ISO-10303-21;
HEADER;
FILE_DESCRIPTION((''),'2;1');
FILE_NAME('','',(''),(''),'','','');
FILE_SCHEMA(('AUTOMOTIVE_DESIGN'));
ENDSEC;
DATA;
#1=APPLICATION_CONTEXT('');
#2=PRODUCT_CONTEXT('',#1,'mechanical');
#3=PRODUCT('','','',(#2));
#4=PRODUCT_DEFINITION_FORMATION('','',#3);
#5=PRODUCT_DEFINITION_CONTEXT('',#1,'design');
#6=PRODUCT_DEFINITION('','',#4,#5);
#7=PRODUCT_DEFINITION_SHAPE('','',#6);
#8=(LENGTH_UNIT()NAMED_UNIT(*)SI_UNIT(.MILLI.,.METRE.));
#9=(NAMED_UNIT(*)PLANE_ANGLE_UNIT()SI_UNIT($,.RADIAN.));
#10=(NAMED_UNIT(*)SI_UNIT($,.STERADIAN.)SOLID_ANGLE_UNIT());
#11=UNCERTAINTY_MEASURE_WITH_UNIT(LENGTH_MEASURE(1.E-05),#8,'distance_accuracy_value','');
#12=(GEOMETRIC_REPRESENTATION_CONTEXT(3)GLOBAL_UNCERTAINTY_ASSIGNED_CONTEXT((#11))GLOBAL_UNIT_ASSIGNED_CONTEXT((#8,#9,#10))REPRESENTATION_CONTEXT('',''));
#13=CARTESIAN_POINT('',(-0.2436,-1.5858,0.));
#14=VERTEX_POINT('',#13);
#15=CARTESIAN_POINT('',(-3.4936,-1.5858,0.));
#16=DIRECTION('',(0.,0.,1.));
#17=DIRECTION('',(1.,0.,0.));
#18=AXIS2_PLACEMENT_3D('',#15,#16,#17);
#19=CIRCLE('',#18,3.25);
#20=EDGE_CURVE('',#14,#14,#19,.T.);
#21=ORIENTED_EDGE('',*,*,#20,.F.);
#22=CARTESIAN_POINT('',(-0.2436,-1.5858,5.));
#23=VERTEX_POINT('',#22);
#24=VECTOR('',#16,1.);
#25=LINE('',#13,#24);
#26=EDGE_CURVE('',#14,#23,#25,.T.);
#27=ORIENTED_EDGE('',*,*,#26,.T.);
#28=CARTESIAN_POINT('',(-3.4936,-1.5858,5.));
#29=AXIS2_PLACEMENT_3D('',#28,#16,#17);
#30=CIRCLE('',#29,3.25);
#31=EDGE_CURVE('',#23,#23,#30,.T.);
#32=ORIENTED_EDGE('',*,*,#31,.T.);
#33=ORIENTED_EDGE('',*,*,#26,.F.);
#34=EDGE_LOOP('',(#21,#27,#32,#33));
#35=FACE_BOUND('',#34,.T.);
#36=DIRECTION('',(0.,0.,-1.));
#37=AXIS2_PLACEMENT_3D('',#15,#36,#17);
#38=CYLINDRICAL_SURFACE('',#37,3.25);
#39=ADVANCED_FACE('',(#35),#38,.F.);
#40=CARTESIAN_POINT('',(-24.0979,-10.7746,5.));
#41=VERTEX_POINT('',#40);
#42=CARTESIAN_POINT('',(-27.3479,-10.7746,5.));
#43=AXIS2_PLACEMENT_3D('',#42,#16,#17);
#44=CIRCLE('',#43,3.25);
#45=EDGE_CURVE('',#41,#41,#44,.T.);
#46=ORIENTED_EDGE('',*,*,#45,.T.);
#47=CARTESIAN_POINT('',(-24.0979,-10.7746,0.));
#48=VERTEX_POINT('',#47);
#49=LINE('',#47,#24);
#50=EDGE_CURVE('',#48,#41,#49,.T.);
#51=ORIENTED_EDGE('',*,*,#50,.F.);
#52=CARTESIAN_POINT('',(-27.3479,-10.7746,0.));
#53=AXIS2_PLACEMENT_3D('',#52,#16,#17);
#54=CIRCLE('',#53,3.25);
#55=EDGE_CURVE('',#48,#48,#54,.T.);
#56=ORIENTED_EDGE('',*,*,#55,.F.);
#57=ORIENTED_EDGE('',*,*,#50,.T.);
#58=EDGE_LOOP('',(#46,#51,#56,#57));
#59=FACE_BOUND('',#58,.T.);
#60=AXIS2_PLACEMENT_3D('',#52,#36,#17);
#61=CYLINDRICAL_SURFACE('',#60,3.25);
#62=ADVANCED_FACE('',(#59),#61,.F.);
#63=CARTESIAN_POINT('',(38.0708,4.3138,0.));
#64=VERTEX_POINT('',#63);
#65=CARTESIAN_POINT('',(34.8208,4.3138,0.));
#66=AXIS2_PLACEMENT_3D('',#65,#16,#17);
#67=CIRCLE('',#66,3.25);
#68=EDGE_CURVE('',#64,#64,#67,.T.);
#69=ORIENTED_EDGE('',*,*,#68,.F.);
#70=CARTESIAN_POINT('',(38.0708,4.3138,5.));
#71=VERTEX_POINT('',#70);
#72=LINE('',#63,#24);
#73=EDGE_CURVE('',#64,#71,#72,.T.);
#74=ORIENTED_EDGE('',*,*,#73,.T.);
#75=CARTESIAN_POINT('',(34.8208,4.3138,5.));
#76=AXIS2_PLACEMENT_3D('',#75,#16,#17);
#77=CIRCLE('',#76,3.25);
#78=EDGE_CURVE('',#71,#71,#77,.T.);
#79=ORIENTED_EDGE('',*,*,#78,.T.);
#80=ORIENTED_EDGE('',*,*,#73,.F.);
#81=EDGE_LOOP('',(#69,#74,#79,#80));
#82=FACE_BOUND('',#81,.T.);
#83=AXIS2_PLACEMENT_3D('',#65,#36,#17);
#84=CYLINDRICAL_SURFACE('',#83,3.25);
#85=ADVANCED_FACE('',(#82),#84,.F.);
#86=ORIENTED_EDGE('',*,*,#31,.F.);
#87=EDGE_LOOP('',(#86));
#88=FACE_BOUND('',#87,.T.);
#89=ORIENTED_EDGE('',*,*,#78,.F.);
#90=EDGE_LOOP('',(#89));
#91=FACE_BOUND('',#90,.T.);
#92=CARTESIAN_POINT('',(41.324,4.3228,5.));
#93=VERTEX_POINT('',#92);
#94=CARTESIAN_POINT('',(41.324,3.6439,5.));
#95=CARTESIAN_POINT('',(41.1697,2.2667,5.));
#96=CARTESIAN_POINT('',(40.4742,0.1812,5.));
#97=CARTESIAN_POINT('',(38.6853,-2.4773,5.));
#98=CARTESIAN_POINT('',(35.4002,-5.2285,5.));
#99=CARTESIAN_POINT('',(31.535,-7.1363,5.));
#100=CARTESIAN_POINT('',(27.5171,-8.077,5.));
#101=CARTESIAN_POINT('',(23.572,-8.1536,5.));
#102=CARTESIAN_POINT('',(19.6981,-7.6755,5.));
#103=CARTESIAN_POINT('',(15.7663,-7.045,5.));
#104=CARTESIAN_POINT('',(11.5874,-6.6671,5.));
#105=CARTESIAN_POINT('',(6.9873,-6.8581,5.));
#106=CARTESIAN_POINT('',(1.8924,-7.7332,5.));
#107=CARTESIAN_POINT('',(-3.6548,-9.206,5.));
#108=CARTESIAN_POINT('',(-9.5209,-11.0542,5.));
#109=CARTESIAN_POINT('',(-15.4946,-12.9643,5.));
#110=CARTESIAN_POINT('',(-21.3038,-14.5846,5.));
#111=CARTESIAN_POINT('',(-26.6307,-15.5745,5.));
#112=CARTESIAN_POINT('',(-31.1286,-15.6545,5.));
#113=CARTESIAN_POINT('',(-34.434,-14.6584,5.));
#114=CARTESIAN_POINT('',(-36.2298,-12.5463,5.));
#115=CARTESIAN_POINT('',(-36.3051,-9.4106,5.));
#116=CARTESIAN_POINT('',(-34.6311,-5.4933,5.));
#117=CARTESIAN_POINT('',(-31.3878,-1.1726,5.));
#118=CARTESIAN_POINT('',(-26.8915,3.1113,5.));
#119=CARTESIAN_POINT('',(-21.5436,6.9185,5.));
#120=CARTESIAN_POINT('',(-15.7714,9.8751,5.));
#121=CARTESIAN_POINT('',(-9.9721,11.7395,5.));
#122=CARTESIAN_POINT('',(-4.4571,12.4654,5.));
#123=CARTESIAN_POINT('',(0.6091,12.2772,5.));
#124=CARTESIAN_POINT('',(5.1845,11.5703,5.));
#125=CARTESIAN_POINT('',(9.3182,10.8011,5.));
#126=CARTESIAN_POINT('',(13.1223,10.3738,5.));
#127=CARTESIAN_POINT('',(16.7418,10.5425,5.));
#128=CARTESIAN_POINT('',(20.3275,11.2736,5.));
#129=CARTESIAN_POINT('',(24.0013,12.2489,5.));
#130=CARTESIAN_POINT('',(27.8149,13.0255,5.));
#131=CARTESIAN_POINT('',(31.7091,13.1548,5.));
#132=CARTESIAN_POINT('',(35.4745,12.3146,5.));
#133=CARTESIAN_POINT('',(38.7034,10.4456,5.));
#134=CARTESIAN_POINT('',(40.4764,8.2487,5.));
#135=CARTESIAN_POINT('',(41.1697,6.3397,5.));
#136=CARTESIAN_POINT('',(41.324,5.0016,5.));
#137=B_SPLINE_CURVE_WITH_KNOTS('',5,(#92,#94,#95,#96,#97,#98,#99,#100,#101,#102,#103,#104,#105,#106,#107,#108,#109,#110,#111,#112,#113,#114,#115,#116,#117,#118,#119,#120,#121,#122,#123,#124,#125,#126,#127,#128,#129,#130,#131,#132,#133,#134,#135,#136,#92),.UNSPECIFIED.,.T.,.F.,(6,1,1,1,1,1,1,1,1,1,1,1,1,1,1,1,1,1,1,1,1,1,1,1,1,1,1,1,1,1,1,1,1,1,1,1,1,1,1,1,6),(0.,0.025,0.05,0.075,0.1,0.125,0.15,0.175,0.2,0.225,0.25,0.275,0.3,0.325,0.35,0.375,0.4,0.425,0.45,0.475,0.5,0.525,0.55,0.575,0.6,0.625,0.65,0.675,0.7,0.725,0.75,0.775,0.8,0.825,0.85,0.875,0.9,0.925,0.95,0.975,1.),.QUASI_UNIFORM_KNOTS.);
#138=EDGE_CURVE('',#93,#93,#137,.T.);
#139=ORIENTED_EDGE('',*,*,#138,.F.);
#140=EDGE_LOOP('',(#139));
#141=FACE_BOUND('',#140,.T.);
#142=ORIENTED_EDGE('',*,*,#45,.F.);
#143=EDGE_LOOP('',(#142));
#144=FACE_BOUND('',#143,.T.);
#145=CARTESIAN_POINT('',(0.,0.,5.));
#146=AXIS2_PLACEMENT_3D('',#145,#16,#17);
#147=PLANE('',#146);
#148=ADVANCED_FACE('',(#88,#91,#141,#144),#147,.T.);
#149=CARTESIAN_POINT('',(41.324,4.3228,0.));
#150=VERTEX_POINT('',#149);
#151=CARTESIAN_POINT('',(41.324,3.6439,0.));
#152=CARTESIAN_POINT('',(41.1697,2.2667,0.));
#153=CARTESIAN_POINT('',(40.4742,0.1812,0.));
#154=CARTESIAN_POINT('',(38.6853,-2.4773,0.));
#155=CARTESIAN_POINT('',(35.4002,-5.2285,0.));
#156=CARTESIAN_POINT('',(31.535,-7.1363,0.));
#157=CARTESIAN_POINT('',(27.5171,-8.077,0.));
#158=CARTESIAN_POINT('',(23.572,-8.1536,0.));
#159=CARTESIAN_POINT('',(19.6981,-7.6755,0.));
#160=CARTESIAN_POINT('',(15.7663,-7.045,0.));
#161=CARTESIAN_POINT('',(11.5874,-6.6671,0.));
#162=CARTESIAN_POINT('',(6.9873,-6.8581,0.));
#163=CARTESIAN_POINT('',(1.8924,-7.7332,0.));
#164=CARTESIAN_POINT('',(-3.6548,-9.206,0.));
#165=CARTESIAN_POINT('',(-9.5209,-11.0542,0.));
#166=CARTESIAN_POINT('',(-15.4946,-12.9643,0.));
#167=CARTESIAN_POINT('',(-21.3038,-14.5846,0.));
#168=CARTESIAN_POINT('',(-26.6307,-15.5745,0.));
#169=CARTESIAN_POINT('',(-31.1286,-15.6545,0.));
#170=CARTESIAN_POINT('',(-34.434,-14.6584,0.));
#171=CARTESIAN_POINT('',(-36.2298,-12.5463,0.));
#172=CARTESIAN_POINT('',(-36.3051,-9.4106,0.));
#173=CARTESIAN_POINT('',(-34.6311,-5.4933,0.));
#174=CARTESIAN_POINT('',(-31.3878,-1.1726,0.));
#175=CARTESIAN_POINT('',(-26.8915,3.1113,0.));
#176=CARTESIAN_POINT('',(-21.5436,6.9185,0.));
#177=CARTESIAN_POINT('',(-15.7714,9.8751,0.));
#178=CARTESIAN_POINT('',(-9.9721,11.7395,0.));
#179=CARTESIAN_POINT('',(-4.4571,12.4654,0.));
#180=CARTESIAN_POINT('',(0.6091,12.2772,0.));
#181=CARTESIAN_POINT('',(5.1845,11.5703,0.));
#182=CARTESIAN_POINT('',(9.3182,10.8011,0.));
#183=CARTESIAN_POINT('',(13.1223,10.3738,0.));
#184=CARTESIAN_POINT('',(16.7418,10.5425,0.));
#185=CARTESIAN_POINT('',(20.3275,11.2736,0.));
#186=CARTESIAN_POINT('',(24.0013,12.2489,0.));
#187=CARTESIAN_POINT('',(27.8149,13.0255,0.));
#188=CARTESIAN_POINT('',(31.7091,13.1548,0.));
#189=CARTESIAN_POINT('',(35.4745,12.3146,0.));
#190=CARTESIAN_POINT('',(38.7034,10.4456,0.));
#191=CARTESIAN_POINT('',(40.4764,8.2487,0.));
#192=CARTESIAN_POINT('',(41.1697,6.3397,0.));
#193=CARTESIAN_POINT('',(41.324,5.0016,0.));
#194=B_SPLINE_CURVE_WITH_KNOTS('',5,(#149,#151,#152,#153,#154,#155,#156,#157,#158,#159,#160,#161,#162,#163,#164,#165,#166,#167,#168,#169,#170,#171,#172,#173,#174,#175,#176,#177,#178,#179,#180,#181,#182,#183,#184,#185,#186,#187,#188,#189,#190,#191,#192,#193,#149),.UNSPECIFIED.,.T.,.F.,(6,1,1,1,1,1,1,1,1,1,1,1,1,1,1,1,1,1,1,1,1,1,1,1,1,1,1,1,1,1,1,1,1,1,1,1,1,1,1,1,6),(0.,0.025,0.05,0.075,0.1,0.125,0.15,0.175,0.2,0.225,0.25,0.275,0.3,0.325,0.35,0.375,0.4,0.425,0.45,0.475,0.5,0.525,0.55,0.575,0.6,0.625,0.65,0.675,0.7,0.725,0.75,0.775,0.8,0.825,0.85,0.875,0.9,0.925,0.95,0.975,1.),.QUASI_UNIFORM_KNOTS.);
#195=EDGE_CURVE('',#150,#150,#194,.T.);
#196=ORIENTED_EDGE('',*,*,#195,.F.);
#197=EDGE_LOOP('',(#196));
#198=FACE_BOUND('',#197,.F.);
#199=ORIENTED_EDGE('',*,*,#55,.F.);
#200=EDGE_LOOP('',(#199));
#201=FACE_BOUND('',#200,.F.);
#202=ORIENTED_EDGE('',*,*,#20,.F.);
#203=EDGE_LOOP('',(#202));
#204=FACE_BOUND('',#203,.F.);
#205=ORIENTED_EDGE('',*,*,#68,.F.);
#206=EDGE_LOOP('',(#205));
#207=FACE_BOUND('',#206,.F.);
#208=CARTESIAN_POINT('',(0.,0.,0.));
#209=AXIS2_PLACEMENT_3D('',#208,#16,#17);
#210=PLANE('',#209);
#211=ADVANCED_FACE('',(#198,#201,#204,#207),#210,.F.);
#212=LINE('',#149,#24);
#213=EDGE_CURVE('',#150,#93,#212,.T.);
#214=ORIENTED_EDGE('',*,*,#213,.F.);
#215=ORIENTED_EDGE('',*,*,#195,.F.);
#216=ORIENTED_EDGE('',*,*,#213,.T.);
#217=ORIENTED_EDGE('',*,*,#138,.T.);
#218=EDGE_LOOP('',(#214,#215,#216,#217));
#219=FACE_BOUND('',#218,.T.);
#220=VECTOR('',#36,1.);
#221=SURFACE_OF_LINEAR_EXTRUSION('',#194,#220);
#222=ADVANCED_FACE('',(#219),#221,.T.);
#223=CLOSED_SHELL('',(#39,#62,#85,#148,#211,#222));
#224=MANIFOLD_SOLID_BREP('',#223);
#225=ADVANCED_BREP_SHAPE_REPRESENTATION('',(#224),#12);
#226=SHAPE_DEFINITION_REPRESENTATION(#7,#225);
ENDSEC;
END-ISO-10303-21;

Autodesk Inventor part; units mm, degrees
ref_plane "YZ Plane" through (0, 0, 0) normal (1, 0, 0) x (0, 1, 0)
ref_plane "XZ Plane" through (0, 0, 0) normal (0, 1, 0) x (-1, 0, 0)
ref_plane "XY Plane" through (0, 0, 0) normal (0, 0, 1) x (1, 0, 0)
sketch "Sketch2" plane through (0, 0, 0) normal (0, 0, 1) x (1, 0, 0)
  circle A0 centre (-27.3479, -10.7746) radius 3.25
  circle A1 centre (34.8208, 4.3138) radius 3.25
  circle A2 centre (-3.4936, -1.5858) radius 3.25
  spline S0 degree 5 poles (41.324, 4.3228) (41.324, 3.6439) (41.1697, 2.2667) (40.4742, 0.1812) (38.6853, -2.4773) (35.4002, -5.2285) (31.535, -7.1363) (27.5171, -8.077) (23.572, -8.1536) (19.6981, -7.6755) (15.7663, -7.045) (11.5874, -6.6671) (6.9873, -6.8581) (1.8924, -7.7332) (-3.6548, -9.206) (-9.5209, -11.0542) (-15.4946, -12.9643) (-21.3038, -14.5846) (-26.6307, -15.5745) (-31.1286, -15.6545) (-34.434, -14.6584) (-36.2298, -12.5463) (-36.3051, -9.4106) (-34.6311, -5.4933) (-31.3878, -1.1726) (-26.8915, 3.1113) (-21.5436, 6.9185) (-15.7714, 9.8751) (-9.9721, 11.7395) (-4.4571, 12.4654) (0.6091, 12.2772) (5.1845, 11.5703) (9.3182, 10.8011) (13.1223, 10.3738) (16.7418, 10.5425) (20.3275, 11.2736) (24.0013, 12.2489) (27.8149, 13.0255) (31.7091, 13.1548) (35.4745, 12.3146) (38.7034, 10.4456) (40.4764, 8.2487) (41.1697, 6.3397) (41.324, 5.0016) (41.324, 4.3228) knots 0 0 0 0 0 0 0.025 0.05 0.075 0.1 0.125 0.15 0.175 0.2 0.225 0.25 0.275 0.3 0.325 0.35 0.375 0.4 0.425 0.45 0.475 0.5 0.525 0.55 0.575 0.6 0.625 0.65 0.675 0.7 0.725 0.75 0.775 0.8 0.825 0.85 0.875 0.9 0.925 0.95 0.975 1 1 1 1 1 1 weights 1 1 1 1 1 1 1 1 1 1 1 1 1 1 1 1 1 1 1 1 1 1 1 1 1 1 1 1 1 1 1 1 1 1 1 1 1 1 1 1 1 1 1 1 1
  point P0 (0, 0)
  dimension "d2" = 6.5
extrude "Extrusion1" add sketch "Sketch2" along normal blind 5
equation "\"d2\" = R"
equation "\"d0\" = thickness"
equation "\"R\" = 6.5"
equation "\"thickness\" = 5"
equation "\"width\" = 6.5"
equation "\"R1\" = 9"
